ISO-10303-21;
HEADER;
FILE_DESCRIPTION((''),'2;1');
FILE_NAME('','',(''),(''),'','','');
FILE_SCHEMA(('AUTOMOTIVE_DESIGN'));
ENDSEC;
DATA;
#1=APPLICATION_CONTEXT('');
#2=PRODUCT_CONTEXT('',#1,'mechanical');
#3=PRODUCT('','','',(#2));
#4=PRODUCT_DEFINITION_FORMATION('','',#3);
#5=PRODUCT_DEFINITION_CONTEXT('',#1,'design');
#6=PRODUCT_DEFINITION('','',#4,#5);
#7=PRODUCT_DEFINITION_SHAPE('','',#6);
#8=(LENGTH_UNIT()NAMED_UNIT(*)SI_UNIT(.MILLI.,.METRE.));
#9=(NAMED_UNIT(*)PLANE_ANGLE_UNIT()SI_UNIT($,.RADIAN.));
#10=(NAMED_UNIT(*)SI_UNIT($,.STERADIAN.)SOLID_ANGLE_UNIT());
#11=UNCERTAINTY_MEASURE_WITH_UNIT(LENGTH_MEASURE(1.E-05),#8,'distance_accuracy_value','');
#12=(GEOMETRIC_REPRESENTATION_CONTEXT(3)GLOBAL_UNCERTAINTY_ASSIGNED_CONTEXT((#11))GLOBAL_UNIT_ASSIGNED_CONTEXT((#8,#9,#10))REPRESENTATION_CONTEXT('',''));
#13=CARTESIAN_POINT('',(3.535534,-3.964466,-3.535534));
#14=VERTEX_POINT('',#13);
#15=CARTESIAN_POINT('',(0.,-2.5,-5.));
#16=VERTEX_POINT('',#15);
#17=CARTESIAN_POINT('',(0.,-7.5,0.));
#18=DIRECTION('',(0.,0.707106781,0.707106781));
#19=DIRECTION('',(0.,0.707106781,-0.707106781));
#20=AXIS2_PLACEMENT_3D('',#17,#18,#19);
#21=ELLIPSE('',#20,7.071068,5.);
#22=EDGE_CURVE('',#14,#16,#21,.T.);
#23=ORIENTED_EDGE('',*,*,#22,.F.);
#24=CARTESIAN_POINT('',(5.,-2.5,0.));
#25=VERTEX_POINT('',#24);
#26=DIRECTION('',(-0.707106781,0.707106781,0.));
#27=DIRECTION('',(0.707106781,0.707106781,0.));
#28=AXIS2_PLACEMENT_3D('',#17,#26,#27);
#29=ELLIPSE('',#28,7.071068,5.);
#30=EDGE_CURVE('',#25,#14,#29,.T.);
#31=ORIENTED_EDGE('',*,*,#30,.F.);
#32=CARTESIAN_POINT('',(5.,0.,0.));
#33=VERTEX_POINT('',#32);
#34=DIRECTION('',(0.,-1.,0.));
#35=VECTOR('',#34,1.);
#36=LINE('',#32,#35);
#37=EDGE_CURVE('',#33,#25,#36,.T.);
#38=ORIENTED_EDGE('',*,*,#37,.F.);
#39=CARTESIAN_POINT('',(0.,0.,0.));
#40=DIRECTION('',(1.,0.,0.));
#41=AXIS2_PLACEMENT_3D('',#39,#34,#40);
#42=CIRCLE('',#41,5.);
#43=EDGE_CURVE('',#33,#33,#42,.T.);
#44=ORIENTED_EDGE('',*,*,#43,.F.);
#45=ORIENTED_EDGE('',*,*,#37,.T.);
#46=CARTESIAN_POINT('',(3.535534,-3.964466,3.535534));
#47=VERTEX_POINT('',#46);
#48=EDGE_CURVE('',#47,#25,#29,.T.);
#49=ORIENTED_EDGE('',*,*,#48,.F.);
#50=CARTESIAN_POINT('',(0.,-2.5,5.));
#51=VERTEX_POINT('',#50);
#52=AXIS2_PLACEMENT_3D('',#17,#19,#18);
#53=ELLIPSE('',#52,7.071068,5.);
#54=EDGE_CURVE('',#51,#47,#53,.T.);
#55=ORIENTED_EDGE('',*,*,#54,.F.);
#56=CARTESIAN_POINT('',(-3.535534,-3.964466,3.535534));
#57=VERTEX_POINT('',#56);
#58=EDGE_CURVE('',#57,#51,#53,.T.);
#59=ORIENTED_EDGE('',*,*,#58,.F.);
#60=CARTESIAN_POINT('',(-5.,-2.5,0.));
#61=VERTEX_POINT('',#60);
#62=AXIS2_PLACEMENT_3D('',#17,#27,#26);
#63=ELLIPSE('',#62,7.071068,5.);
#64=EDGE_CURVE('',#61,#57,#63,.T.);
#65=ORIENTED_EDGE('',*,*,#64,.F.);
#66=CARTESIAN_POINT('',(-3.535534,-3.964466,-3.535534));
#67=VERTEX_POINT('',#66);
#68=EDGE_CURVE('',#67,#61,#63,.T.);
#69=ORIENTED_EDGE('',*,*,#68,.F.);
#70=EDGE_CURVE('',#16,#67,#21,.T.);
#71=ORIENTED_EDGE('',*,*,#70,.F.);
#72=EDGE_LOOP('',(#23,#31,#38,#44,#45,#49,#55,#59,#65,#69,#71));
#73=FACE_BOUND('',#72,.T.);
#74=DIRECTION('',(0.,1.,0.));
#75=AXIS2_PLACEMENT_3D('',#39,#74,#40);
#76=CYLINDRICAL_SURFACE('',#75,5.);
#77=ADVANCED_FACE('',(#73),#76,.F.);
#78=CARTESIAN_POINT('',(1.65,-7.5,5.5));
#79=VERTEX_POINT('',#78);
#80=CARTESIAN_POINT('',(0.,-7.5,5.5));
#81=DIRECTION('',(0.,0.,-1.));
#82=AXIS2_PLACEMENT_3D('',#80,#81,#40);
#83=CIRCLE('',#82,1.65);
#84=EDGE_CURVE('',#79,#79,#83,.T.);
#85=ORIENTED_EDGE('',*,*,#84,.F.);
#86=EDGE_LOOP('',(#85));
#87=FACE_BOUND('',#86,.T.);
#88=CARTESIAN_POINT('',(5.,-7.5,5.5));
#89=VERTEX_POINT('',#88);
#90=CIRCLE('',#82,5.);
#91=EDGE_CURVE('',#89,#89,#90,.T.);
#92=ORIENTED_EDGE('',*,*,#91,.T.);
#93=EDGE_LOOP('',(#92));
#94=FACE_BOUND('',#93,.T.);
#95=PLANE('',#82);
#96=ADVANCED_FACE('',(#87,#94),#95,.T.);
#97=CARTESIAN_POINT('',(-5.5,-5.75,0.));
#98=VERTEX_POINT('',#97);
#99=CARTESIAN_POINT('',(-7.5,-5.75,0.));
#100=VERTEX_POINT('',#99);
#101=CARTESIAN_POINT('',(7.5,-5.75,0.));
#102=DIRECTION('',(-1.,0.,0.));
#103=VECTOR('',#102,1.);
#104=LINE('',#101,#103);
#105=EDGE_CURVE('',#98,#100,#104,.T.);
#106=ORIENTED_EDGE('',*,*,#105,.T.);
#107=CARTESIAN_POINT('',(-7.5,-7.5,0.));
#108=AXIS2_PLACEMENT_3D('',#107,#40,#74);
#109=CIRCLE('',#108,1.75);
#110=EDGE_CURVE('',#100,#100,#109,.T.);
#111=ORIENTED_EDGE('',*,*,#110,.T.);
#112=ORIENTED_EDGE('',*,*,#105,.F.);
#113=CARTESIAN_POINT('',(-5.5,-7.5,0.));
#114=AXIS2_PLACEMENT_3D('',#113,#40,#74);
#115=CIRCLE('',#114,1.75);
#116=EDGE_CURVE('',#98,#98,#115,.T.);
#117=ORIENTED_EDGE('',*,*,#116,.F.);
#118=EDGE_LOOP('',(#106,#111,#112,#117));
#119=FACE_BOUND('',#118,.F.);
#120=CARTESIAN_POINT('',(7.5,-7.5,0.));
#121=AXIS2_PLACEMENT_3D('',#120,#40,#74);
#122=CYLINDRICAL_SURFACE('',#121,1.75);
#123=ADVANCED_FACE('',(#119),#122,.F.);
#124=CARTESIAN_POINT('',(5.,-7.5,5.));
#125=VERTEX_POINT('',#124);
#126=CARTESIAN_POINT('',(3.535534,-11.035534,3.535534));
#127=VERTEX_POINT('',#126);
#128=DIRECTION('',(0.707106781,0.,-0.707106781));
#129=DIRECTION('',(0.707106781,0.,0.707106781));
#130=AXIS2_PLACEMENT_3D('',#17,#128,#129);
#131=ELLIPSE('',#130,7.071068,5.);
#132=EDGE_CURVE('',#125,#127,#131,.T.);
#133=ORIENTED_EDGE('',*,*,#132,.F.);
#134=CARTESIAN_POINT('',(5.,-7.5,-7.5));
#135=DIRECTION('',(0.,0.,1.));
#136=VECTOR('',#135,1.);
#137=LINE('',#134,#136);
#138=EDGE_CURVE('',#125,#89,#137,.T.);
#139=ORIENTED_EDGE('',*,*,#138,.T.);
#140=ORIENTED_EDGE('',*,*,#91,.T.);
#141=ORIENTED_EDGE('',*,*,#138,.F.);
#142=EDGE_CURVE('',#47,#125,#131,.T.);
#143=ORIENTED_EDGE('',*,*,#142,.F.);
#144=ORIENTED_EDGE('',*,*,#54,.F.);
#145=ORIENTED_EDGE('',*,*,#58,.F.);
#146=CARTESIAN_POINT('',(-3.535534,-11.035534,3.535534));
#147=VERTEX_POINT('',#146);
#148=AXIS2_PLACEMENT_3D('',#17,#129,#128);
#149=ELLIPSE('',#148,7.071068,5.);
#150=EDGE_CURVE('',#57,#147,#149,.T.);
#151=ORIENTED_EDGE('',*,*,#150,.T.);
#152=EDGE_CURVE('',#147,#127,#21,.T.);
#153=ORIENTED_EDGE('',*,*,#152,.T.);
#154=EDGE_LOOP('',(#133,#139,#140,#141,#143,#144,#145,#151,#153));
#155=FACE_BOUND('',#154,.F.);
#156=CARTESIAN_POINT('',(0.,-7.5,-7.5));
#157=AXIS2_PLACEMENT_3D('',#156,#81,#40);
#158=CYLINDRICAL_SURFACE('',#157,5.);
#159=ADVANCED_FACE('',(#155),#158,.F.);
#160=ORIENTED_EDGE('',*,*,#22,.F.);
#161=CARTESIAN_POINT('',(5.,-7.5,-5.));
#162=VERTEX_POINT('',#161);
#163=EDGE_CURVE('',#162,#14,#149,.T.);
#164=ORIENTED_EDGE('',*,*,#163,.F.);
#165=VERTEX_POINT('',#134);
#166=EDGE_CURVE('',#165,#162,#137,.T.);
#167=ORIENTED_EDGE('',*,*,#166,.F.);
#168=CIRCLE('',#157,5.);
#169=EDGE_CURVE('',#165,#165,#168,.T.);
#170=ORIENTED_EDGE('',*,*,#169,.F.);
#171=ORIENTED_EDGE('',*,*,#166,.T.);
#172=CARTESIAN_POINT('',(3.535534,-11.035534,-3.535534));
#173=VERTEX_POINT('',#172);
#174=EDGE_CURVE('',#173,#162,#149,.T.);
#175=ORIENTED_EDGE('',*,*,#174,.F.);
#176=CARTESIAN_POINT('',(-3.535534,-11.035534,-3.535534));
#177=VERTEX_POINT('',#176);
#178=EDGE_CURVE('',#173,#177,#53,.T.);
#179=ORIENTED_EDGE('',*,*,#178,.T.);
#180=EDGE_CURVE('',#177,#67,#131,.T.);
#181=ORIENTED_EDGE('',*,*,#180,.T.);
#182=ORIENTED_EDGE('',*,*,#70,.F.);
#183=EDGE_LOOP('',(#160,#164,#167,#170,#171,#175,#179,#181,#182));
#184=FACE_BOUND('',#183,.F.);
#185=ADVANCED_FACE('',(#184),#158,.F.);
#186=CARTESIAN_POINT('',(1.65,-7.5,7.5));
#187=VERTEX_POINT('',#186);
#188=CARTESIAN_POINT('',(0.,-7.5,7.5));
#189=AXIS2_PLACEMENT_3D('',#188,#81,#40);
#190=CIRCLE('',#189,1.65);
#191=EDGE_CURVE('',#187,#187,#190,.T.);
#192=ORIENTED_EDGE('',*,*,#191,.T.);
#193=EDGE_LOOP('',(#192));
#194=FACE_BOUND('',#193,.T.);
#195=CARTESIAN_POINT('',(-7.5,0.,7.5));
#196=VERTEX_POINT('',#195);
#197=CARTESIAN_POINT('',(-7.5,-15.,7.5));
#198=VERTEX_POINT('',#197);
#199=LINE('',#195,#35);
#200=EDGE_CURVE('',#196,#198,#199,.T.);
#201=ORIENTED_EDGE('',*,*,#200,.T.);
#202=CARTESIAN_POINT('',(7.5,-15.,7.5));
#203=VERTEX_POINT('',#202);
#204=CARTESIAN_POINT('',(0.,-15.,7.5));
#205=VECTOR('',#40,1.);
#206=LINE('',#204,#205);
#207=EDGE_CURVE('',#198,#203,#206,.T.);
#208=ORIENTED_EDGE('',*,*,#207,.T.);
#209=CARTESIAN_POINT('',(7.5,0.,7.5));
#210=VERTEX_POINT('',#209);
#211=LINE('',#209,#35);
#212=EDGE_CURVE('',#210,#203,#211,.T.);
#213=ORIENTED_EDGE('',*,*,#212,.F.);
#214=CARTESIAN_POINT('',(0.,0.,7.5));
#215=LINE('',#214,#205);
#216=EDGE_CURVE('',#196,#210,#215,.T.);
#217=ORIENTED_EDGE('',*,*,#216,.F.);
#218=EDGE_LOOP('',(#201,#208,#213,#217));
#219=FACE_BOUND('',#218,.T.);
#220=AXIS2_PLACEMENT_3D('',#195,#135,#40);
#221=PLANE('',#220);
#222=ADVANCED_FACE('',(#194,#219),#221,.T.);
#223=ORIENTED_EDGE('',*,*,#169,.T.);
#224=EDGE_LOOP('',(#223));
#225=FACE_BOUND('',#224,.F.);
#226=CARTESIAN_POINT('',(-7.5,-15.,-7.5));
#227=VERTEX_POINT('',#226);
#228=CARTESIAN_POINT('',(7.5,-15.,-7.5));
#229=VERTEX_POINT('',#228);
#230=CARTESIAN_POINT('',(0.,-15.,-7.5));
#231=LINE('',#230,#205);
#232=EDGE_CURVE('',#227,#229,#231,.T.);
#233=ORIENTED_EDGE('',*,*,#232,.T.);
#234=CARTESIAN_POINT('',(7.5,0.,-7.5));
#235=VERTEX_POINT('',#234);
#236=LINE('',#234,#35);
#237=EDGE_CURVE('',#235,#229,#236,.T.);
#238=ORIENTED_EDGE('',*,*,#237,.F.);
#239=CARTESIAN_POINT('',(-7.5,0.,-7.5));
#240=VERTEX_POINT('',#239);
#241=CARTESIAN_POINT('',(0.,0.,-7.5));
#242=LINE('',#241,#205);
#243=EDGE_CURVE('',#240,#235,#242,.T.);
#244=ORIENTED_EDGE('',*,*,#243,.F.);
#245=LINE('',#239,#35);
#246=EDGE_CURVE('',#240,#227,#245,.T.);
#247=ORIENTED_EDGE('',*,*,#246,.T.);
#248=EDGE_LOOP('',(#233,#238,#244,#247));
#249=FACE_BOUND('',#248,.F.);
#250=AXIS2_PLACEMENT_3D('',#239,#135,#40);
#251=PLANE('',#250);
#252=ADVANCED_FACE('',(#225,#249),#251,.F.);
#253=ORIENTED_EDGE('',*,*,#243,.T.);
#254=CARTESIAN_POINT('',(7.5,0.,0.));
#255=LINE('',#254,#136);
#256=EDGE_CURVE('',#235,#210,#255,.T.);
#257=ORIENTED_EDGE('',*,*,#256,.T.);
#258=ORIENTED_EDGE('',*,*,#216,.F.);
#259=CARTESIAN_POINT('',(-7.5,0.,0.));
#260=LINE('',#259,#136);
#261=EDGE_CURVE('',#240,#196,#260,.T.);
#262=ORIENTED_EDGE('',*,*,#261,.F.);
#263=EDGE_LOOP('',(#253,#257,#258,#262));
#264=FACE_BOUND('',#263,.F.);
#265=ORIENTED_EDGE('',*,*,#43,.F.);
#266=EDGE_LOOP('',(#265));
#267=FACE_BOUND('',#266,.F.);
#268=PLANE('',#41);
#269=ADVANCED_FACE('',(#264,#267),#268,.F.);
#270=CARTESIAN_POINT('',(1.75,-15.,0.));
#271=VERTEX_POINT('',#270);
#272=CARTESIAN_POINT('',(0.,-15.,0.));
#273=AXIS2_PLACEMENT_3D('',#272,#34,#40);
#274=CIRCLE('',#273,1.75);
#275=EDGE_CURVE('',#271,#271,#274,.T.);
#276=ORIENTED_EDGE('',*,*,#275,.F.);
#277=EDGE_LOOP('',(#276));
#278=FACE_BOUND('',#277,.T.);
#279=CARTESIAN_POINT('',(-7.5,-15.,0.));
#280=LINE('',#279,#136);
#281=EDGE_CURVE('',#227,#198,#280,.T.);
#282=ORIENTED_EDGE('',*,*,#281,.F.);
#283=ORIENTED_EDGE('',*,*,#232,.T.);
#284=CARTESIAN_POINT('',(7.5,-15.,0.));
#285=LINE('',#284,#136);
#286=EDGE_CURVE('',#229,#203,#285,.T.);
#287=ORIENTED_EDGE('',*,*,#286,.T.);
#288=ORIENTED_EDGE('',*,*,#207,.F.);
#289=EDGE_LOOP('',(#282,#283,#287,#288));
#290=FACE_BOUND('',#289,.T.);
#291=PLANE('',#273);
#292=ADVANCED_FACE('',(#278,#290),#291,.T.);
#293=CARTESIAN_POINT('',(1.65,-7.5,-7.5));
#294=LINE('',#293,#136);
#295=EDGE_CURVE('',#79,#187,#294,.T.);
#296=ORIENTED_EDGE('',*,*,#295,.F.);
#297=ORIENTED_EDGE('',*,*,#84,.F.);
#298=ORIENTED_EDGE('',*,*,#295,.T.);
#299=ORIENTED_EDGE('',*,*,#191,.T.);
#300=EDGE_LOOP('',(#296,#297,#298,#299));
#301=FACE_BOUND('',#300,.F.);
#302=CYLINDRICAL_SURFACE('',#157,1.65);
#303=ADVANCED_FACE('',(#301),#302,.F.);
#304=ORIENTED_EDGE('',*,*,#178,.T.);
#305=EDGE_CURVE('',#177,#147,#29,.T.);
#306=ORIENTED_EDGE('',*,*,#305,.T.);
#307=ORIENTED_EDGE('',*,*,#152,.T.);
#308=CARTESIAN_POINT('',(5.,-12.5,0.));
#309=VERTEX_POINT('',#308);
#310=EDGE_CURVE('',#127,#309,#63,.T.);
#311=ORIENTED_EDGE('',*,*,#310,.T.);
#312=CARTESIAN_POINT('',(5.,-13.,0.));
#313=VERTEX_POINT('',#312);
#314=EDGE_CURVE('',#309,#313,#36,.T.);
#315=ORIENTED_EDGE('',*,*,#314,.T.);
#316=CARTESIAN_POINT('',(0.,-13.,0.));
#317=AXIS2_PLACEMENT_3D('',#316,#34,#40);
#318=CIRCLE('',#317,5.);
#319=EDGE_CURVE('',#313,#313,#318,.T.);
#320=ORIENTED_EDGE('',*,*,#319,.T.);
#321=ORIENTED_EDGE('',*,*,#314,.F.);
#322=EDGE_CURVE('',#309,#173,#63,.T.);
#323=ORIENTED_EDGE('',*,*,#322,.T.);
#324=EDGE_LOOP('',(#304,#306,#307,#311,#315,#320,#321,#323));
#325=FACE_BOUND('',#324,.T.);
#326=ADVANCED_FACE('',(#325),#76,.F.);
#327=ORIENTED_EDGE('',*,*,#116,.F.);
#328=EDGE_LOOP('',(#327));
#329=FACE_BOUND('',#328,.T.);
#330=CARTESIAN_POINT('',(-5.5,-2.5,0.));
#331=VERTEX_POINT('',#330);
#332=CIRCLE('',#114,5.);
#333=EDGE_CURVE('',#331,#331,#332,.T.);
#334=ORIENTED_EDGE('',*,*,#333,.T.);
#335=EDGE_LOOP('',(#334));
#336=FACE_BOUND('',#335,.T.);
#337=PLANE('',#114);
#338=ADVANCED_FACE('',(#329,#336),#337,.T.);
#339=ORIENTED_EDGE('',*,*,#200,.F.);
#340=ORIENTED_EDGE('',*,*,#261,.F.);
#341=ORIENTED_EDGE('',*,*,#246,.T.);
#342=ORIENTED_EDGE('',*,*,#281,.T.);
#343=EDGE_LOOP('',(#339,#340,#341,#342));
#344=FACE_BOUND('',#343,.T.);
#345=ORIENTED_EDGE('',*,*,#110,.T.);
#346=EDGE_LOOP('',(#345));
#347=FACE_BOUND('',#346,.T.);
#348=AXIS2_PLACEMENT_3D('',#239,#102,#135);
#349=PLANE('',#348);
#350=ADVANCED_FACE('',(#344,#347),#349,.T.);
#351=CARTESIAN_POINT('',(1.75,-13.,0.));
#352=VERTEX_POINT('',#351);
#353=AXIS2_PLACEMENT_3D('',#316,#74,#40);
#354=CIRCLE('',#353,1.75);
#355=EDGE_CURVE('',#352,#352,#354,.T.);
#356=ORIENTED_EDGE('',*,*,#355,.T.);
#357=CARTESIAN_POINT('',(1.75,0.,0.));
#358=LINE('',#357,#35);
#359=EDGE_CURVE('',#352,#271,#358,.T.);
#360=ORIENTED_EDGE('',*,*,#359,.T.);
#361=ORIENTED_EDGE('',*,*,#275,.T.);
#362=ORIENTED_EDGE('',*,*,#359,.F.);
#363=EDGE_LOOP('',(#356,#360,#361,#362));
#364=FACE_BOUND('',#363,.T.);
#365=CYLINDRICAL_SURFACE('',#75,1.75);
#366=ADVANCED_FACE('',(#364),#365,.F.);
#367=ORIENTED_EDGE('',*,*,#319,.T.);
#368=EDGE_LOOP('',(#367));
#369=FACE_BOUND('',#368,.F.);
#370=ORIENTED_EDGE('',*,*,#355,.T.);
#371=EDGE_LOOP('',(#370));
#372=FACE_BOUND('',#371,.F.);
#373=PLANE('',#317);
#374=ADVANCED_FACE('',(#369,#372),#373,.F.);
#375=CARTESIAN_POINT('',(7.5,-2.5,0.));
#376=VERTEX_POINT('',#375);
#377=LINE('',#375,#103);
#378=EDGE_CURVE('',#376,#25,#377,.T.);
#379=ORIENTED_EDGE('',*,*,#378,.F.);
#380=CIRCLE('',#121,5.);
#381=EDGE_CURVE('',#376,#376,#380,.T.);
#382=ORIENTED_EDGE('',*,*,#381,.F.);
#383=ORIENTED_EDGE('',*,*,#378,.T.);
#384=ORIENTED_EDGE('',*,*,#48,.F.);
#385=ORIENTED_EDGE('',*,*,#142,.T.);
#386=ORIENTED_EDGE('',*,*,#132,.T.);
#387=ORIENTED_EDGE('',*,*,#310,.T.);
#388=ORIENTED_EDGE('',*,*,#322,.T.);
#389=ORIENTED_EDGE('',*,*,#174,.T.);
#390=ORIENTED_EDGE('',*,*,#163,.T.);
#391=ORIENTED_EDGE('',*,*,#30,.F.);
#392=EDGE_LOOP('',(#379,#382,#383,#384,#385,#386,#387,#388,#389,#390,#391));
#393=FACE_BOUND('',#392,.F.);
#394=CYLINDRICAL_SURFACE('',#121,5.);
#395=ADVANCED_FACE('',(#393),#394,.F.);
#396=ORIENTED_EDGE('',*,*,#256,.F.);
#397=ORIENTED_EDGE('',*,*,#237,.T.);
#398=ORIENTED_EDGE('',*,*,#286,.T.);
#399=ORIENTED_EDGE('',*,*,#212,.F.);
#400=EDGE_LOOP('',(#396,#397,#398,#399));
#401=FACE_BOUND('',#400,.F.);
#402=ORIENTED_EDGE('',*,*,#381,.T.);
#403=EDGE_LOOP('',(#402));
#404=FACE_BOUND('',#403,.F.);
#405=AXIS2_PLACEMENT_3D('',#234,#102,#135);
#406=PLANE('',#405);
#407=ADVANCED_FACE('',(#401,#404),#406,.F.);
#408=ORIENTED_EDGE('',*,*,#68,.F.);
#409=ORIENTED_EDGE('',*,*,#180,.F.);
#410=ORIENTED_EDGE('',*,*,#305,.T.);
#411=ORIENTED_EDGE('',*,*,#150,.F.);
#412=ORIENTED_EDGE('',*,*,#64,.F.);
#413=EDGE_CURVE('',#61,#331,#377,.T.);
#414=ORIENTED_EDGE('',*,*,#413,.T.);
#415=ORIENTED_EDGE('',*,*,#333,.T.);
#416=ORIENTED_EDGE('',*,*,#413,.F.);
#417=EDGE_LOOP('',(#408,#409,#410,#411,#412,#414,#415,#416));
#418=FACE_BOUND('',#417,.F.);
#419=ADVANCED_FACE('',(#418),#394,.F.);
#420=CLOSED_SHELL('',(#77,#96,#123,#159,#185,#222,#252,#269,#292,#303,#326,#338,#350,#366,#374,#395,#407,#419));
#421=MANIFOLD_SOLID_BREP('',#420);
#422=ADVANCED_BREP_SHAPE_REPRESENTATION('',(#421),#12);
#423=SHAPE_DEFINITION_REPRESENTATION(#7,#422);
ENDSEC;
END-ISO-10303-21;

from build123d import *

# Parameters (mm, degrees)
F0_W     = 15
F0_H     = 15
F0_R     = 1.75
F1_DEPTH = 15
F2_R     = 5
F3_DEPTH = 13
F4_R     = 1.75
F5_DEPTH = 15
F4_R_2   = 5
F6_DEPTH = 13
F7_R     = 1.65
F8_DEPTH = 15
F7_R_2   = 5
F9_DEPTH = 13


with BuildPart() as f1:
    # F0 (on Front) → F1 (new body)
    with BuildSketch(Plane.XZ):
        Rectangle(F0_W, F0_H)
        Circle(F0_R, mode=Mode.SUBTRACT)
    extrude(amount=F1_DEPTH)

    # F2 (on face) → F3 (cut)
    with BuildSketch(Plane.XZ):
        Circle(F2_R)
    extrude(amount=F3_DEPTH, mode=Mode.SUBTRACT)

    # F4 (on face) → F5 (cut)
    with BuildSketch(Plane.YZ.offset(7.5)):
        with Locations((-7.5, 0)):
            Circle(F4_R)
    extrude(amount=-F5_DEPTH, mode=Mode.SUBTRACT)

    # F4 (on face) → F6 (cut)
    with BuildSketch(Plane.YZ.offset(7.5)):
        with Locations((-7.5, 0)):
            Circle(F4_R_2)
        with Locations((-7.5, 0)):
            Circle(F4_R, mode=Mode.SUBTRACT)
    extrude(amount=-F6_DEPTH, mode=Mode.SUBTRACT)

    # F7 (on face) → F8 (cut)
    with BuildSketch(Plane(origin=(0, 0, -7.5), x_dir=(1, 0, 0), z_dir=(0, 0, -1))):
        with Locations((0, 7.5)):
            Circle(F7_R)
    extrude(amount=-F8_DEPTH, mode=Mode.SUBTRACT)

    # F7 (on face) → F9 (cut)
    with BuildSketch(Plane(origin=(0, 0, -7.5), x_dir=(1, 0, 0), z_dir=(0, 0, -1))):
        with Locations((0, 7.5)):
            Circle(F7_R_2)
        with Locations((0, 7.5)):
            Circle(F7_R, mode=Mode.SUBTRACT)
    extrude(amount=-F9_DEPTH, mode=Mode.SUBTRACT)


solid = f1.part
